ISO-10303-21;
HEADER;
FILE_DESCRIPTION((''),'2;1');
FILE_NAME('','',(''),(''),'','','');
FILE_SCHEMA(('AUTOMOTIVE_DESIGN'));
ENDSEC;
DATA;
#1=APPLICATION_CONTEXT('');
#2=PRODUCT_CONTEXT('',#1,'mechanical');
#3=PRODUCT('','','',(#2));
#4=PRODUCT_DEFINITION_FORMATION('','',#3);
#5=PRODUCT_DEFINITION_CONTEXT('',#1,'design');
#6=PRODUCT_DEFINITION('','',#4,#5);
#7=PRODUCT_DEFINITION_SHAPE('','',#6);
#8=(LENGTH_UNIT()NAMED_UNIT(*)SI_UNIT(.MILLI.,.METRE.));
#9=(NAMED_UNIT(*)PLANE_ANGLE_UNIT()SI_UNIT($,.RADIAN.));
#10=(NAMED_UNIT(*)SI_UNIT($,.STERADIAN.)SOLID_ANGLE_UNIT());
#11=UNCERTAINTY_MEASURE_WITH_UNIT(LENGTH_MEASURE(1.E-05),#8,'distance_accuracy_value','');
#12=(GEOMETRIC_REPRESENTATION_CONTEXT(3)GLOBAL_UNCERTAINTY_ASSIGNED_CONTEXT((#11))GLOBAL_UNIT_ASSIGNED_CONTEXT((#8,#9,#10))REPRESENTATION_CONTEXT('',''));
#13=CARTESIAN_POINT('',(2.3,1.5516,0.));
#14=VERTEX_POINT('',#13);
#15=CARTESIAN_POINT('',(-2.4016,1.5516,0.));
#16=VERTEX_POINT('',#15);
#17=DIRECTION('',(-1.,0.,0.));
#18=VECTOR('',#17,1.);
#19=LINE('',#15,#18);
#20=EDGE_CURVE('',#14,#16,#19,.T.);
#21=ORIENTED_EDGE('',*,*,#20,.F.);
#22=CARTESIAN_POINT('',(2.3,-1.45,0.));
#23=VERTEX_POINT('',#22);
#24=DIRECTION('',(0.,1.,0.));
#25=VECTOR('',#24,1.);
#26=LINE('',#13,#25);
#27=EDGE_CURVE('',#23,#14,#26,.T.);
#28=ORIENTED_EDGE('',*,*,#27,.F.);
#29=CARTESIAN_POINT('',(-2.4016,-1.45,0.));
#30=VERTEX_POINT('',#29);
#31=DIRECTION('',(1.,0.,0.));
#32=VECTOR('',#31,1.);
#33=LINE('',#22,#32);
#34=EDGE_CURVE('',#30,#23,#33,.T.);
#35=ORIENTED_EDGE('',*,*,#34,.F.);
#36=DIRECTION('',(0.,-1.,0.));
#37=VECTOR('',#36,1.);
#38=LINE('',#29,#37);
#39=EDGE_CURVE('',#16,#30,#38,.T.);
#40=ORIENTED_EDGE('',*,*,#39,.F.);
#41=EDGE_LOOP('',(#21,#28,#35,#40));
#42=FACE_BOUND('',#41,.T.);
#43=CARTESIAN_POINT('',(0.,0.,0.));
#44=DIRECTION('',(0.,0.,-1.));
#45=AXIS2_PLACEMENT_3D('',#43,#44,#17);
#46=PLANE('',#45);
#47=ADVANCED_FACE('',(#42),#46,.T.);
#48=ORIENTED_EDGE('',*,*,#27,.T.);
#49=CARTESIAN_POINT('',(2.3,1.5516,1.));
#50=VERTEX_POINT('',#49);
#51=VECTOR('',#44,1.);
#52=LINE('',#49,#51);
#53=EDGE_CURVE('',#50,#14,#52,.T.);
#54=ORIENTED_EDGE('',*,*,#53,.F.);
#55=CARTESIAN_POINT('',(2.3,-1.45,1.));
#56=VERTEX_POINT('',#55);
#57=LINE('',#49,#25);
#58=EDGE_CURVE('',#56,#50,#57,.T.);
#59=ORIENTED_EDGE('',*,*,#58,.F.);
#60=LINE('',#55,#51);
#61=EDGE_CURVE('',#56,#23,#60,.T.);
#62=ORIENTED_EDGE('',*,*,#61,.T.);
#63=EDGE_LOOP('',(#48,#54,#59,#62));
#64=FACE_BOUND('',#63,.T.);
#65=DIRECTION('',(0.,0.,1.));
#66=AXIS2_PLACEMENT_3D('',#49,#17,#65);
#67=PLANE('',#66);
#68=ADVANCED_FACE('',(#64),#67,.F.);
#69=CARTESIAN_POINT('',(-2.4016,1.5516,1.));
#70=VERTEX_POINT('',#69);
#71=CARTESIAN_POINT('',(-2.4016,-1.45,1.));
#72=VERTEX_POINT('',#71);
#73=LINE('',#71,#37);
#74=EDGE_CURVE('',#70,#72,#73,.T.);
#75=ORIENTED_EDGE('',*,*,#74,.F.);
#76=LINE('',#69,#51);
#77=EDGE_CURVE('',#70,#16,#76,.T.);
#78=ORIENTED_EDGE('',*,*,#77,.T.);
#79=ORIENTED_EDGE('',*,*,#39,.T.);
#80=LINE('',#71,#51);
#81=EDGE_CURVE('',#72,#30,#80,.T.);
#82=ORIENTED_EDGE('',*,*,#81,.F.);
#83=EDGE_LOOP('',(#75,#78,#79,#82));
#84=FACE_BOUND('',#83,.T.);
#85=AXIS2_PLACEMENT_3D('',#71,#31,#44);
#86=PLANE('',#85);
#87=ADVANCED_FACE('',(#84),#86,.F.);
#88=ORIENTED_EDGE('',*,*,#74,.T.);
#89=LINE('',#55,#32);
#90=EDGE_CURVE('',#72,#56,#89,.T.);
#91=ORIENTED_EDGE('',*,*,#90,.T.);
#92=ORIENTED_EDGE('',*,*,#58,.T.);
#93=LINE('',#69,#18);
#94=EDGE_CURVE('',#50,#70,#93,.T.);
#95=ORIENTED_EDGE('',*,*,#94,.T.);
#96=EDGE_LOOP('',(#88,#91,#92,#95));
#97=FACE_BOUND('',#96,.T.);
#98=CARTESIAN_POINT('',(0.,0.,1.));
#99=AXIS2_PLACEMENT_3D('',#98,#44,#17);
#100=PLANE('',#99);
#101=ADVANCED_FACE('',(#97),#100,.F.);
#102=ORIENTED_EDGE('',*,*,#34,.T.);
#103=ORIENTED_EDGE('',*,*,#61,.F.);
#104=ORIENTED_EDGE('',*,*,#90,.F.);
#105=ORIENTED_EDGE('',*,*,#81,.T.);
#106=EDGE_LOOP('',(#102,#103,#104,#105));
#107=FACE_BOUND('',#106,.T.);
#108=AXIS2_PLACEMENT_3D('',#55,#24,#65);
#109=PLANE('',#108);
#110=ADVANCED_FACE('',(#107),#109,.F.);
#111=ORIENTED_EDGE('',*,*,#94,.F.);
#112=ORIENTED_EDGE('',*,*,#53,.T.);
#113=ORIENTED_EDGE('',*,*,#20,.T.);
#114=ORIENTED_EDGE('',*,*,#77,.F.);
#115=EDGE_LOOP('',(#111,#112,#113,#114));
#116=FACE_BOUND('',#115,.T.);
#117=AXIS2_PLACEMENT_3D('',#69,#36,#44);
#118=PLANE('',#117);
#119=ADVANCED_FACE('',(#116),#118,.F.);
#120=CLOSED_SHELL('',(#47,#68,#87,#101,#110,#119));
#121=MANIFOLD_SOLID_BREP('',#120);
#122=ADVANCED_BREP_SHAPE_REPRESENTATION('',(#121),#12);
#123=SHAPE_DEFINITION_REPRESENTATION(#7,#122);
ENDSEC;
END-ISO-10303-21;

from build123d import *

# Parameters (mm, degrees)
SKETCH1_W               = 4.7016
SKETCH1_H               = 3.0016
COMPONENT_OUTLINE_DEPTH = 1


with BuildPart() as part:
    # Sketch1 → Component_Outline (new body)
    with BuildSketch(Plane.XY):
        with Locations((-0.0508, 0.0508)):
            Rectangle(SKETCH1_W, SKETCH1_H)
    extrude(amount=COMPONENT_OUTLINE_DEPTH)


solid = part.part
